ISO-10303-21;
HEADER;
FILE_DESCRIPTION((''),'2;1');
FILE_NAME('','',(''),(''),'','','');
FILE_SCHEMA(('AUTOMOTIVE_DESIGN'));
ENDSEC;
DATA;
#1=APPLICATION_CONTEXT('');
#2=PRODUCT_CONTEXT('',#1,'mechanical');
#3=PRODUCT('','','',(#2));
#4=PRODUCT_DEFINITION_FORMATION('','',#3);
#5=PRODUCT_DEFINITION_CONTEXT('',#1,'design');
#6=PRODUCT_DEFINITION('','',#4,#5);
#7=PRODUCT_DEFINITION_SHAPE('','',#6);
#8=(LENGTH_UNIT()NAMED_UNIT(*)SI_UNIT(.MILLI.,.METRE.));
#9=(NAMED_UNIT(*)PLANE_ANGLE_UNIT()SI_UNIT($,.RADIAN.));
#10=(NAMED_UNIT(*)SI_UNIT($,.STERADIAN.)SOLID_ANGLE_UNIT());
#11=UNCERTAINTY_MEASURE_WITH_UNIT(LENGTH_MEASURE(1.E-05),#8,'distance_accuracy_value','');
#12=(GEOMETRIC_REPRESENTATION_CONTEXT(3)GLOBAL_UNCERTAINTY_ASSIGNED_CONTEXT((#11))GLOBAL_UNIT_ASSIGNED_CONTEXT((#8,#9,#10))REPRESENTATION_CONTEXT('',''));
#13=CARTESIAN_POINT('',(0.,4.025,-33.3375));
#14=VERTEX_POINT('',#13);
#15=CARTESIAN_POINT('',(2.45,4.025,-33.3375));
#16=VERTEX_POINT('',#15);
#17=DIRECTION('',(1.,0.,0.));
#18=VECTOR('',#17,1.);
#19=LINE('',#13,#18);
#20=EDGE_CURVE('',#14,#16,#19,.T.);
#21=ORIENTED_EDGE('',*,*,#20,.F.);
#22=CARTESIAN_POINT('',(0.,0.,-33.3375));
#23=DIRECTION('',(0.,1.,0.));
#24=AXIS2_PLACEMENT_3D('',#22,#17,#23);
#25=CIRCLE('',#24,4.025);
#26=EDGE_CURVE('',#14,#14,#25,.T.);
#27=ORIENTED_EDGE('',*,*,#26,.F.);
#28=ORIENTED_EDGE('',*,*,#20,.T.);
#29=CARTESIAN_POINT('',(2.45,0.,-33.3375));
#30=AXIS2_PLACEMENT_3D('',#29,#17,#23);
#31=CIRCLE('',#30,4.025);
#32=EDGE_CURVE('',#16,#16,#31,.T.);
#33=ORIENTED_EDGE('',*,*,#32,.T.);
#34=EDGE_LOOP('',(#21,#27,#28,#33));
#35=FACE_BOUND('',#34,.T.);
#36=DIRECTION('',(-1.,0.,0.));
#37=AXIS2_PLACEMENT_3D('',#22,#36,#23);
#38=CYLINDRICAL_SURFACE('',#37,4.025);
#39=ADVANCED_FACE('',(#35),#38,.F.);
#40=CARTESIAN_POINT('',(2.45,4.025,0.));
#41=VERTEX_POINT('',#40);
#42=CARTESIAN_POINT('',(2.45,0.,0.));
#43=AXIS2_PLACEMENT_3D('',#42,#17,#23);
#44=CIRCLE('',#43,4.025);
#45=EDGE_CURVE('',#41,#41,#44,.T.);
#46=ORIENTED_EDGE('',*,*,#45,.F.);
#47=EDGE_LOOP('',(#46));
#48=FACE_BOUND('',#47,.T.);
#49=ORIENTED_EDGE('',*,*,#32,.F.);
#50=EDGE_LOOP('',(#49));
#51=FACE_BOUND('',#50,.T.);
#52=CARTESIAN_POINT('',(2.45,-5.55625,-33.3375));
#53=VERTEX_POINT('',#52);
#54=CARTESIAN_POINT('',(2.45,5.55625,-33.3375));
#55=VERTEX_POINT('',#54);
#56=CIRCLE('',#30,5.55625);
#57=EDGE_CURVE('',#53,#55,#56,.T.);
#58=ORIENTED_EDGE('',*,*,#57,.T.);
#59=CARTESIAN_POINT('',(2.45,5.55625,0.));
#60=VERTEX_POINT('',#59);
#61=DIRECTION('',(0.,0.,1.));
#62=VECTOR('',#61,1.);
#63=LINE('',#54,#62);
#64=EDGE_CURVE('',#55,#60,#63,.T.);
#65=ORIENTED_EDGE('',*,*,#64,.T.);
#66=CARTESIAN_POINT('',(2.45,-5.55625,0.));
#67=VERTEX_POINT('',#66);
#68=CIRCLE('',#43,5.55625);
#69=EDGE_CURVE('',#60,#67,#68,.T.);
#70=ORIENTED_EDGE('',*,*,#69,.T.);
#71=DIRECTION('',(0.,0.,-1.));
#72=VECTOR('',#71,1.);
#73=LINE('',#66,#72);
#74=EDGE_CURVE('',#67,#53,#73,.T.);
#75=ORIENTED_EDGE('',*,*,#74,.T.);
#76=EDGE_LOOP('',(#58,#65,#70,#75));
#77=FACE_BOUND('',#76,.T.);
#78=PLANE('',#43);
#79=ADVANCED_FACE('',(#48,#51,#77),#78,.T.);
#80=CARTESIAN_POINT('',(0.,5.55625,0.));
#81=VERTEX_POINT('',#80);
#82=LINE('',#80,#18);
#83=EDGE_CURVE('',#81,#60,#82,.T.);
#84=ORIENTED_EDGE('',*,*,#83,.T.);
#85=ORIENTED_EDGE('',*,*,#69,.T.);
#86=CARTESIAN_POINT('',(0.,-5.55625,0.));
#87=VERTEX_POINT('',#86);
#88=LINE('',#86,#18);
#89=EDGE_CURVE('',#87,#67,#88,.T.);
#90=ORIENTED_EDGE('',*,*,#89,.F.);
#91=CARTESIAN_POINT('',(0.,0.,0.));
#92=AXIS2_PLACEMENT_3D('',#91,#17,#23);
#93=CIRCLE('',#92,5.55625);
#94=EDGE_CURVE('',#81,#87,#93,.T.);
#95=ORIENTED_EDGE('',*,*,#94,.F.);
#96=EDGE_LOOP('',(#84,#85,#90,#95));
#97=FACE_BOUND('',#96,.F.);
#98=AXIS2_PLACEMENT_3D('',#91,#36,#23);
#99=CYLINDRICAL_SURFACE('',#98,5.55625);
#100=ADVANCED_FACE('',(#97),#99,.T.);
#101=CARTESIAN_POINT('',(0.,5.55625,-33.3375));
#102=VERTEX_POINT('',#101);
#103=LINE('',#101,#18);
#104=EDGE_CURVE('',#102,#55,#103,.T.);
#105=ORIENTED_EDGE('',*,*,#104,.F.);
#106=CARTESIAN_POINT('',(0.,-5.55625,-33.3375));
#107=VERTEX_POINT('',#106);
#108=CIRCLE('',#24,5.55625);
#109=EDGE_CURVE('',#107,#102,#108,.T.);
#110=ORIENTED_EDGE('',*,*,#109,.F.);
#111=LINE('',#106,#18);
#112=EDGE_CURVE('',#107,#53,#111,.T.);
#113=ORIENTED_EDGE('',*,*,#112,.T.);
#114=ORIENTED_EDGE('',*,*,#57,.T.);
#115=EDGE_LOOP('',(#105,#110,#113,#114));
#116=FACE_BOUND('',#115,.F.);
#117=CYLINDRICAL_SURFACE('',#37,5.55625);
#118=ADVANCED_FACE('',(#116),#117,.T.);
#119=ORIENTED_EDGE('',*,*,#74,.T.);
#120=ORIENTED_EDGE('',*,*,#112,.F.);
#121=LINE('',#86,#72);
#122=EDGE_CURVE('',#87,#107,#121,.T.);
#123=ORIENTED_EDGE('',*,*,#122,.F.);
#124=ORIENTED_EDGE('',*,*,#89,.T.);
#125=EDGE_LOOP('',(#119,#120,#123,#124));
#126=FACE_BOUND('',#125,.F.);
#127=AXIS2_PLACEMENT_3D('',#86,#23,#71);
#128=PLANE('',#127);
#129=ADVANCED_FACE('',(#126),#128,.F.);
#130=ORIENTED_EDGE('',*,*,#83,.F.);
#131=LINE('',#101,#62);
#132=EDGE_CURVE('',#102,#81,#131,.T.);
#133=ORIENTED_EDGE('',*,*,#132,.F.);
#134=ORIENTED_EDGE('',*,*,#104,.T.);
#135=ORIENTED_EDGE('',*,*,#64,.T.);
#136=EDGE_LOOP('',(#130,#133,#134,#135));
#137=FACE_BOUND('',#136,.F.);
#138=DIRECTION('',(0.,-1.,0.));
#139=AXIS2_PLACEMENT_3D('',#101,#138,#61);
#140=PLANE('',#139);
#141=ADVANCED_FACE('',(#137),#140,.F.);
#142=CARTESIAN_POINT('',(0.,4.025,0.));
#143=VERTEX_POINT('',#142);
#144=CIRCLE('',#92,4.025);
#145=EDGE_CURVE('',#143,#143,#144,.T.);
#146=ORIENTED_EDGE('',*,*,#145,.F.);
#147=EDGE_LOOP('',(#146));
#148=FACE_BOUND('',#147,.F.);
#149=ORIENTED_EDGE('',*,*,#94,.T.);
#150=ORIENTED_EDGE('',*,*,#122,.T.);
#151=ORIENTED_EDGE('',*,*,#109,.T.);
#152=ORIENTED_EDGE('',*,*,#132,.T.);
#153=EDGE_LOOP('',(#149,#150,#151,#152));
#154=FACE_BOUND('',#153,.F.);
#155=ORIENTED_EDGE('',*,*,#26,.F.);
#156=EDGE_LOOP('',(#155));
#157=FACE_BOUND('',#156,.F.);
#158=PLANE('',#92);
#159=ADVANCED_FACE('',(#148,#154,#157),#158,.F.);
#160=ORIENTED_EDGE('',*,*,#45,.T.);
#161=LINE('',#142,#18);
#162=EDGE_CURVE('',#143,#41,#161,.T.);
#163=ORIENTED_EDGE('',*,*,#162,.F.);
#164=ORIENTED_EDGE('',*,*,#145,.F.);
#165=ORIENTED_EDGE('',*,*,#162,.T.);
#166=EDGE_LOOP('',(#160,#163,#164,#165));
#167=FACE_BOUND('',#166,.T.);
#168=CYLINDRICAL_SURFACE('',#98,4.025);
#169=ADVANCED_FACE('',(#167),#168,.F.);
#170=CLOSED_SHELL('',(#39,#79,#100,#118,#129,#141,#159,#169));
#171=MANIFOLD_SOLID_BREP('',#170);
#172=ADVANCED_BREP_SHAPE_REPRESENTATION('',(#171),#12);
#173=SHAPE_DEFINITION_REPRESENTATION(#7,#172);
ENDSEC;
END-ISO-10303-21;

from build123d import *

# Parameters (mm, degrees)
F0_R     = 4.025
F1_DEPTH = 2.45


with BuildPart() as f1:
    # F0 (on Right) → F1 (new body)
    with BuildSketch(Plane.YZ):
        with BuildLine():
            ThreePointArc((-5.55625, 0), (0, -5.55625), (5.55625, 0))
            ThreePointArc((5.55625, 0), (0, 5.55625), (-5.55625, 0))
        make_face()
        Circle(F0_R, mode=Mode.SUBTRACT)
        with BuildLine():
            Line((5.55625, -33.3375), (5.55625, 0))
            ThreePointArc((5.55625, 0), (0, -5.55625), (-5.55625, 0))
            Line((-5.55625, 0), (-5.55625, -33.3375))
            ThreePointArc((-5.55625, -33.3375), (0, -27.78125), (5.55625, -33.3375))
        make_face()
        with BuildLine():
            ThreePointArc((-5.55625, -33.3375), (0, -38.89375), (5.55625, -33.3375))
            ThreePointArc((5.55625, -33.3375), (0, -27.78125), (-5.55625, -33.3375))
        make_face()
        with Locations((0, -33.3375)):
            Circle(F0_R, mode=Mode.SUBTRACT)
    extrude(amount=F1_DEPTH)


solid = f1.part
